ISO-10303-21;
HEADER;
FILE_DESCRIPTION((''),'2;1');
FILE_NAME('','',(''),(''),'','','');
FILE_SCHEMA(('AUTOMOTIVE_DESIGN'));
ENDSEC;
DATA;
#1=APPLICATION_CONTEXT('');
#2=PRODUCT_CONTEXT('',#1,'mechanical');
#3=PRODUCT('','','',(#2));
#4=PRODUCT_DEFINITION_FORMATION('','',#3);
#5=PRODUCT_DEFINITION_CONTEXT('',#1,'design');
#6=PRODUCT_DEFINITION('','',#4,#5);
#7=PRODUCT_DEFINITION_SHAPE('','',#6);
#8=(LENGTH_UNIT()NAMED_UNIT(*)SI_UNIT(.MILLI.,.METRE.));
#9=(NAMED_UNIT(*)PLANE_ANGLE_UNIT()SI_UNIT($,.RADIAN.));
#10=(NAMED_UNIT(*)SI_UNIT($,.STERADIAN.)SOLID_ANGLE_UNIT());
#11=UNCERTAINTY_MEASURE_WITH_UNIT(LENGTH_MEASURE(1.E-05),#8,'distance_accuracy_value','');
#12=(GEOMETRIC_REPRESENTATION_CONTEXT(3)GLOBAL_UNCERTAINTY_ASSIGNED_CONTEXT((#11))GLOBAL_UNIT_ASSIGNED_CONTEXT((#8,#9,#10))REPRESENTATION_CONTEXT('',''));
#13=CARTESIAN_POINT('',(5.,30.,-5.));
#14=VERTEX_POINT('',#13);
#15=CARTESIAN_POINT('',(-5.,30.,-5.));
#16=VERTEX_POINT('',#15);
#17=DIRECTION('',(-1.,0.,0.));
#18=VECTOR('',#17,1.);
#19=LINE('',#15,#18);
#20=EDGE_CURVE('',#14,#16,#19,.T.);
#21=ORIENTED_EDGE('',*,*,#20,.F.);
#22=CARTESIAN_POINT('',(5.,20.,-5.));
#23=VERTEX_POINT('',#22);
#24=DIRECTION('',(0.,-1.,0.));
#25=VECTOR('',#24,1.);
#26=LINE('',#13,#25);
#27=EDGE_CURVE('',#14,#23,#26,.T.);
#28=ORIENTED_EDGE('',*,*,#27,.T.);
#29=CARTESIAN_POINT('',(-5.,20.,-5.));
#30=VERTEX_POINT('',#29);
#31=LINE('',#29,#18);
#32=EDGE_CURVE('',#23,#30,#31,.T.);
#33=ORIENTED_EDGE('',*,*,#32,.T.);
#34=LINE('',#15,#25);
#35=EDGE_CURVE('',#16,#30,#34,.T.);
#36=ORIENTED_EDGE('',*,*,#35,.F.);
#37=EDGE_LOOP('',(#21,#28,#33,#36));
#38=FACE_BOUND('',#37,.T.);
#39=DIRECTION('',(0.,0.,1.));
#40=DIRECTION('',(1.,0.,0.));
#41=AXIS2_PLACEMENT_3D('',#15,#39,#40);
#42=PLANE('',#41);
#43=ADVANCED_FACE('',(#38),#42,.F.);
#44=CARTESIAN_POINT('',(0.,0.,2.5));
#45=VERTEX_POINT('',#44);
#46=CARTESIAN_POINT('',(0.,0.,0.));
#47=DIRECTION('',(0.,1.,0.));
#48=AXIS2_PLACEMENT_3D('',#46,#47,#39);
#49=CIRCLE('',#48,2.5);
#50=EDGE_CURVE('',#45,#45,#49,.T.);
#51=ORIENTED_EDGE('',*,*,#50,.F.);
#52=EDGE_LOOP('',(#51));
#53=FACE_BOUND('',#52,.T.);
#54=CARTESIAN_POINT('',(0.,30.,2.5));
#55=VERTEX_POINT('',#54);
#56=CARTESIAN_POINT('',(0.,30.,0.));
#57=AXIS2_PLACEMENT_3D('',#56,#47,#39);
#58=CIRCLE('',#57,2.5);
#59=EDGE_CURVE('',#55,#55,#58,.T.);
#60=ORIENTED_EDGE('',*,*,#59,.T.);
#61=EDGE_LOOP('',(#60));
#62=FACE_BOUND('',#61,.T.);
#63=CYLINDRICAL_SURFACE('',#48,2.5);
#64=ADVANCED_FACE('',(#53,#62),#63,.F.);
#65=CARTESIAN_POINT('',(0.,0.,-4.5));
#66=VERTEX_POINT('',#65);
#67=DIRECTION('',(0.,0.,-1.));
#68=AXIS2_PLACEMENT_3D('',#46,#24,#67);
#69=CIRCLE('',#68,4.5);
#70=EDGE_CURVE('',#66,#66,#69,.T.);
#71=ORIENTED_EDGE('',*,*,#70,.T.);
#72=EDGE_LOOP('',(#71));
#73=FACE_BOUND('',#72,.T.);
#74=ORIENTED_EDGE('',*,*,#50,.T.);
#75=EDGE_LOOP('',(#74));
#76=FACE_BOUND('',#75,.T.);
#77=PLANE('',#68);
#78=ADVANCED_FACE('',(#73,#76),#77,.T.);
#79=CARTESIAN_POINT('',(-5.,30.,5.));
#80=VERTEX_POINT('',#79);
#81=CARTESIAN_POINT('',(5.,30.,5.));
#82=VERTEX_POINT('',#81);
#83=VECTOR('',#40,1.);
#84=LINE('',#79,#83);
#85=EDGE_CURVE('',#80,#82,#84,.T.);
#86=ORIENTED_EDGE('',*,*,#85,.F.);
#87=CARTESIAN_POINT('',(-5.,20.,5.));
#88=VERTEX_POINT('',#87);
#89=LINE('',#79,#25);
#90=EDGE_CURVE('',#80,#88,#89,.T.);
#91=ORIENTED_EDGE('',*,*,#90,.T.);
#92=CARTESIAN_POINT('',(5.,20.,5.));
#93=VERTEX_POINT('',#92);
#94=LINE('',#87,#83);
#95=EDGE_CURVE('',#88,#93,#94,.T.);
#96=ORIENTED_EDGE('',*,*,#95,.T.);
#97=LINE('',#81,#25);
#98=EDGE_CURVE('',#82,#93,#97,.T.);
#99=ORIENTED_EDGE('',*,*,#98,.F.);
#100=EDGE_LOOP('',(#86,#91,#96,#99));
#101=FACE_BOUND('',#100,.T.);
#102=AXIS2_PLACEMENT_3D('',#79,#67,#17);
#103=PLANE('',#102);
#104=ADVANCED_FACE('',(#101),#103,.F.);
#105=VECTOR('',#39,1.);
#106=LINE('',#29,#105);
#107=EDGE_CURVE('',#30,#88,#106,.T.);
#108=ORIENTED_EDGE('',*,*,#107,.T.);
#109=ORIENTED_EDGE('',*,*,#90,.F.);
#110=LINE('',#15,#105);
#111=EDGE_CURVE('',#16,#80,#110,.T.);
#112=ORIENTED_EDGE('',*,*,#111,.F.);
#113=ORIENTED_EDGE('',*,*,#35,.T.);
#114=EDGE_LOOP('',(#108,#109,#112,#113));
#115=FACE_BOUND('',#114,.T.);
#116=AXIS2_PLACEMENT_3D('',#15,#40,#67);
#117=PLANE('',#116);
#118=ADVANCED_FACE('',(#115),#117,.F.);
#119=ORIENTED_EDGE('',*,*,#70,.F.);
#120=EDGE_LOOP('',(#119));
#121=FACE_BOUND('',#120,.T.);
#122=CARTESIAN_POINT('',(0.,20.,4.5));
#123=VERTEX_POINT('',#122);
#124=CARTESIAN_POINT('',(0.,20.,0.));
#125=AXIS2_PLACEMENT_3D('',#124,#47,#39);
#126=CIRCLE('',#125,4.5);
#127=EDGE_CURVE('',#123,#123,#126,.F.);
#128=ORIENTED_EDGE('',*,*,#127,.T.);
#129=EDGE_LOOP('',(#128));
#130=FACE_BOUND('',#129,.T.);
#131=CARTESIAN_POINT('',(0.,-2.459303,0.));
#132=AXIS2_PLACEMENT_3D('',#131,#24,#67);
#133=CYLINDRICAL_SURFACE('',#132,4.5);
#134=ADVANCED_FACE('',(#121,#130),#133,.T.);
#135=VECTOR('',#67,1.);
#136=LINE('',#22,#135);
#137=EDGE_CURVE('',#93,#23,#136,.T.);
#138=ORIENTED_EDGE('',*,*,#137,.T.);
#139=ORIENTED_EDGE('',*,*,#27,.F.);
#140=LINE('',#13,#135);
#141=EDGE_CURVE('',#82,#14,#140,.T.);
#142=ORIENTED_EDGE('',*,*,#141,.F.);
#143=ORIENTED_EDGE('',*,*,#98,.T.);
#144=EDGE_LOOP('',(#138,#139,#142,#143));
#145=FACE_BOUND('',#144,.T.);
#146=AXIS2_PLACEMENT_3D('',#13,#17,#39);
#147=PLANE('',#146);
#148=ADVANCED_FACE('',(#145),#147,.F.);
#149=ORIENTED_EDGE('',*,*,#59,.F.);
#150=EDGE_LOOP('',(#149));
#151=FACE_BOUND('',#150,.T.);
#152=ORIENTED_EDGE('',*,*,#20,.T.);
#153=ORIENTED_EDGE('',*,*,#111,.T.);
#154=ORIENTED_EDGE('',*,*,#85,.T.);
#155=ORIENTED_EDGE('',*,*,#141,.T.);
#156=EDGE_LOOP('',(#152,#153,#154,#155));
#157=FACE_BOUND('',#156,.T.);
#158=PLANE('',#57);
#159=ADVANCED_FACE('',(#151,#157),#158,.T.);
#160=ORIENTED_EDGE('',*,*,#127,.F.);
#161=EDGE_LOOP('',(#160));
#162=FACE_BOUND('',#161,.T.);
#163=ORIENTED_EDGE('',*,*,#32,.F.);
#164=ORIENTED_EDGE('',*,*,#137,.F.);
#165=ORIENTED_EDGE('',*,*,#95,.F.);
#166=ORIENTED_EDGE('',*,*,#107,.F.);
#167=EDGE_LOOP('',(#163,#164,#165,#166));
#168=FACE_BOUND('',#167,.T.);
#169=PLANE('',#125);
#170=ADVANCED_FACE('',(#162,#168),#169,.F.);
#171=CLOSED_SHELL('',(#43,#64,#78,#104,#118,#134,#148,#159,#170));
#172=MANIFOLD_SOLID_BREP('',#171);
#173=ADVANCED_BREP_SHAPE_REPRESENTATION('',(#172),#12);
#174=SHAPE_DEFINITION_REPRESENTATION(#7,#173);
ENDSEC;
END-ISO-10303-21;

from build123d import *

# Parameters (mm, degrees)
SKIZZE1_W                       = 4.5
SKIZZE1_H                       = 20
SKIZZE5_W                       = 10
SKIZZE5_H                       = 10
AUFSATZ_LINEAR_AUSTRAGEN1_DEPTH = 10
SKETCH1_R                       = 2.5
CUT_EXTRUDE1_DEPTH              = 31.822070015


with BuildPart() as part:
    # Skizze1 → Rotation1 (revolve)
    with BuildSketch(Plane.XY, mode=Mode.PRIVATE) as rotation1_sk:
        with Locations((2.25, 10)):
            Rectangle(SKIZZE1_W, SKIZZE1_H)
    revolve(rotation1_sk.sketch.rotate(Axis((0, -2.459302686, 0), (0, 1, 0)), 90), axis=Axis((0, -2.459302686, 0), (0, 1, 0)))

    # Skizze5 → Aufsatz-Linear austragen1 (add)
    with BuildSketch(Plane(origin=(0, 20, 0), x_dir=(1, 0, 0), z_dir=(0, 1, 0))):
        Rectangle(SKIZZE5_W, SKIZZE5_H)
    extrude(amount=AUFSATZ_LINEAR_AUSTRAGEN1_DEPTH)

    # Sketch1 → Cut-Extrude1 (cut, through all)
    with BuildSketch(Plane(origin=(0, 30, 0), x_dir=(1, 0, 0), z_dir=(0, 1, 0))):
        with Locations(Location((0, 0, 0), (0, 0, 270))):
            Circle(SKETCH1_R)
    extrude(amount=-CUT_EXTRUDE1_DEPTH, mode=Mode.SUBTRACT)


solid = part.part
